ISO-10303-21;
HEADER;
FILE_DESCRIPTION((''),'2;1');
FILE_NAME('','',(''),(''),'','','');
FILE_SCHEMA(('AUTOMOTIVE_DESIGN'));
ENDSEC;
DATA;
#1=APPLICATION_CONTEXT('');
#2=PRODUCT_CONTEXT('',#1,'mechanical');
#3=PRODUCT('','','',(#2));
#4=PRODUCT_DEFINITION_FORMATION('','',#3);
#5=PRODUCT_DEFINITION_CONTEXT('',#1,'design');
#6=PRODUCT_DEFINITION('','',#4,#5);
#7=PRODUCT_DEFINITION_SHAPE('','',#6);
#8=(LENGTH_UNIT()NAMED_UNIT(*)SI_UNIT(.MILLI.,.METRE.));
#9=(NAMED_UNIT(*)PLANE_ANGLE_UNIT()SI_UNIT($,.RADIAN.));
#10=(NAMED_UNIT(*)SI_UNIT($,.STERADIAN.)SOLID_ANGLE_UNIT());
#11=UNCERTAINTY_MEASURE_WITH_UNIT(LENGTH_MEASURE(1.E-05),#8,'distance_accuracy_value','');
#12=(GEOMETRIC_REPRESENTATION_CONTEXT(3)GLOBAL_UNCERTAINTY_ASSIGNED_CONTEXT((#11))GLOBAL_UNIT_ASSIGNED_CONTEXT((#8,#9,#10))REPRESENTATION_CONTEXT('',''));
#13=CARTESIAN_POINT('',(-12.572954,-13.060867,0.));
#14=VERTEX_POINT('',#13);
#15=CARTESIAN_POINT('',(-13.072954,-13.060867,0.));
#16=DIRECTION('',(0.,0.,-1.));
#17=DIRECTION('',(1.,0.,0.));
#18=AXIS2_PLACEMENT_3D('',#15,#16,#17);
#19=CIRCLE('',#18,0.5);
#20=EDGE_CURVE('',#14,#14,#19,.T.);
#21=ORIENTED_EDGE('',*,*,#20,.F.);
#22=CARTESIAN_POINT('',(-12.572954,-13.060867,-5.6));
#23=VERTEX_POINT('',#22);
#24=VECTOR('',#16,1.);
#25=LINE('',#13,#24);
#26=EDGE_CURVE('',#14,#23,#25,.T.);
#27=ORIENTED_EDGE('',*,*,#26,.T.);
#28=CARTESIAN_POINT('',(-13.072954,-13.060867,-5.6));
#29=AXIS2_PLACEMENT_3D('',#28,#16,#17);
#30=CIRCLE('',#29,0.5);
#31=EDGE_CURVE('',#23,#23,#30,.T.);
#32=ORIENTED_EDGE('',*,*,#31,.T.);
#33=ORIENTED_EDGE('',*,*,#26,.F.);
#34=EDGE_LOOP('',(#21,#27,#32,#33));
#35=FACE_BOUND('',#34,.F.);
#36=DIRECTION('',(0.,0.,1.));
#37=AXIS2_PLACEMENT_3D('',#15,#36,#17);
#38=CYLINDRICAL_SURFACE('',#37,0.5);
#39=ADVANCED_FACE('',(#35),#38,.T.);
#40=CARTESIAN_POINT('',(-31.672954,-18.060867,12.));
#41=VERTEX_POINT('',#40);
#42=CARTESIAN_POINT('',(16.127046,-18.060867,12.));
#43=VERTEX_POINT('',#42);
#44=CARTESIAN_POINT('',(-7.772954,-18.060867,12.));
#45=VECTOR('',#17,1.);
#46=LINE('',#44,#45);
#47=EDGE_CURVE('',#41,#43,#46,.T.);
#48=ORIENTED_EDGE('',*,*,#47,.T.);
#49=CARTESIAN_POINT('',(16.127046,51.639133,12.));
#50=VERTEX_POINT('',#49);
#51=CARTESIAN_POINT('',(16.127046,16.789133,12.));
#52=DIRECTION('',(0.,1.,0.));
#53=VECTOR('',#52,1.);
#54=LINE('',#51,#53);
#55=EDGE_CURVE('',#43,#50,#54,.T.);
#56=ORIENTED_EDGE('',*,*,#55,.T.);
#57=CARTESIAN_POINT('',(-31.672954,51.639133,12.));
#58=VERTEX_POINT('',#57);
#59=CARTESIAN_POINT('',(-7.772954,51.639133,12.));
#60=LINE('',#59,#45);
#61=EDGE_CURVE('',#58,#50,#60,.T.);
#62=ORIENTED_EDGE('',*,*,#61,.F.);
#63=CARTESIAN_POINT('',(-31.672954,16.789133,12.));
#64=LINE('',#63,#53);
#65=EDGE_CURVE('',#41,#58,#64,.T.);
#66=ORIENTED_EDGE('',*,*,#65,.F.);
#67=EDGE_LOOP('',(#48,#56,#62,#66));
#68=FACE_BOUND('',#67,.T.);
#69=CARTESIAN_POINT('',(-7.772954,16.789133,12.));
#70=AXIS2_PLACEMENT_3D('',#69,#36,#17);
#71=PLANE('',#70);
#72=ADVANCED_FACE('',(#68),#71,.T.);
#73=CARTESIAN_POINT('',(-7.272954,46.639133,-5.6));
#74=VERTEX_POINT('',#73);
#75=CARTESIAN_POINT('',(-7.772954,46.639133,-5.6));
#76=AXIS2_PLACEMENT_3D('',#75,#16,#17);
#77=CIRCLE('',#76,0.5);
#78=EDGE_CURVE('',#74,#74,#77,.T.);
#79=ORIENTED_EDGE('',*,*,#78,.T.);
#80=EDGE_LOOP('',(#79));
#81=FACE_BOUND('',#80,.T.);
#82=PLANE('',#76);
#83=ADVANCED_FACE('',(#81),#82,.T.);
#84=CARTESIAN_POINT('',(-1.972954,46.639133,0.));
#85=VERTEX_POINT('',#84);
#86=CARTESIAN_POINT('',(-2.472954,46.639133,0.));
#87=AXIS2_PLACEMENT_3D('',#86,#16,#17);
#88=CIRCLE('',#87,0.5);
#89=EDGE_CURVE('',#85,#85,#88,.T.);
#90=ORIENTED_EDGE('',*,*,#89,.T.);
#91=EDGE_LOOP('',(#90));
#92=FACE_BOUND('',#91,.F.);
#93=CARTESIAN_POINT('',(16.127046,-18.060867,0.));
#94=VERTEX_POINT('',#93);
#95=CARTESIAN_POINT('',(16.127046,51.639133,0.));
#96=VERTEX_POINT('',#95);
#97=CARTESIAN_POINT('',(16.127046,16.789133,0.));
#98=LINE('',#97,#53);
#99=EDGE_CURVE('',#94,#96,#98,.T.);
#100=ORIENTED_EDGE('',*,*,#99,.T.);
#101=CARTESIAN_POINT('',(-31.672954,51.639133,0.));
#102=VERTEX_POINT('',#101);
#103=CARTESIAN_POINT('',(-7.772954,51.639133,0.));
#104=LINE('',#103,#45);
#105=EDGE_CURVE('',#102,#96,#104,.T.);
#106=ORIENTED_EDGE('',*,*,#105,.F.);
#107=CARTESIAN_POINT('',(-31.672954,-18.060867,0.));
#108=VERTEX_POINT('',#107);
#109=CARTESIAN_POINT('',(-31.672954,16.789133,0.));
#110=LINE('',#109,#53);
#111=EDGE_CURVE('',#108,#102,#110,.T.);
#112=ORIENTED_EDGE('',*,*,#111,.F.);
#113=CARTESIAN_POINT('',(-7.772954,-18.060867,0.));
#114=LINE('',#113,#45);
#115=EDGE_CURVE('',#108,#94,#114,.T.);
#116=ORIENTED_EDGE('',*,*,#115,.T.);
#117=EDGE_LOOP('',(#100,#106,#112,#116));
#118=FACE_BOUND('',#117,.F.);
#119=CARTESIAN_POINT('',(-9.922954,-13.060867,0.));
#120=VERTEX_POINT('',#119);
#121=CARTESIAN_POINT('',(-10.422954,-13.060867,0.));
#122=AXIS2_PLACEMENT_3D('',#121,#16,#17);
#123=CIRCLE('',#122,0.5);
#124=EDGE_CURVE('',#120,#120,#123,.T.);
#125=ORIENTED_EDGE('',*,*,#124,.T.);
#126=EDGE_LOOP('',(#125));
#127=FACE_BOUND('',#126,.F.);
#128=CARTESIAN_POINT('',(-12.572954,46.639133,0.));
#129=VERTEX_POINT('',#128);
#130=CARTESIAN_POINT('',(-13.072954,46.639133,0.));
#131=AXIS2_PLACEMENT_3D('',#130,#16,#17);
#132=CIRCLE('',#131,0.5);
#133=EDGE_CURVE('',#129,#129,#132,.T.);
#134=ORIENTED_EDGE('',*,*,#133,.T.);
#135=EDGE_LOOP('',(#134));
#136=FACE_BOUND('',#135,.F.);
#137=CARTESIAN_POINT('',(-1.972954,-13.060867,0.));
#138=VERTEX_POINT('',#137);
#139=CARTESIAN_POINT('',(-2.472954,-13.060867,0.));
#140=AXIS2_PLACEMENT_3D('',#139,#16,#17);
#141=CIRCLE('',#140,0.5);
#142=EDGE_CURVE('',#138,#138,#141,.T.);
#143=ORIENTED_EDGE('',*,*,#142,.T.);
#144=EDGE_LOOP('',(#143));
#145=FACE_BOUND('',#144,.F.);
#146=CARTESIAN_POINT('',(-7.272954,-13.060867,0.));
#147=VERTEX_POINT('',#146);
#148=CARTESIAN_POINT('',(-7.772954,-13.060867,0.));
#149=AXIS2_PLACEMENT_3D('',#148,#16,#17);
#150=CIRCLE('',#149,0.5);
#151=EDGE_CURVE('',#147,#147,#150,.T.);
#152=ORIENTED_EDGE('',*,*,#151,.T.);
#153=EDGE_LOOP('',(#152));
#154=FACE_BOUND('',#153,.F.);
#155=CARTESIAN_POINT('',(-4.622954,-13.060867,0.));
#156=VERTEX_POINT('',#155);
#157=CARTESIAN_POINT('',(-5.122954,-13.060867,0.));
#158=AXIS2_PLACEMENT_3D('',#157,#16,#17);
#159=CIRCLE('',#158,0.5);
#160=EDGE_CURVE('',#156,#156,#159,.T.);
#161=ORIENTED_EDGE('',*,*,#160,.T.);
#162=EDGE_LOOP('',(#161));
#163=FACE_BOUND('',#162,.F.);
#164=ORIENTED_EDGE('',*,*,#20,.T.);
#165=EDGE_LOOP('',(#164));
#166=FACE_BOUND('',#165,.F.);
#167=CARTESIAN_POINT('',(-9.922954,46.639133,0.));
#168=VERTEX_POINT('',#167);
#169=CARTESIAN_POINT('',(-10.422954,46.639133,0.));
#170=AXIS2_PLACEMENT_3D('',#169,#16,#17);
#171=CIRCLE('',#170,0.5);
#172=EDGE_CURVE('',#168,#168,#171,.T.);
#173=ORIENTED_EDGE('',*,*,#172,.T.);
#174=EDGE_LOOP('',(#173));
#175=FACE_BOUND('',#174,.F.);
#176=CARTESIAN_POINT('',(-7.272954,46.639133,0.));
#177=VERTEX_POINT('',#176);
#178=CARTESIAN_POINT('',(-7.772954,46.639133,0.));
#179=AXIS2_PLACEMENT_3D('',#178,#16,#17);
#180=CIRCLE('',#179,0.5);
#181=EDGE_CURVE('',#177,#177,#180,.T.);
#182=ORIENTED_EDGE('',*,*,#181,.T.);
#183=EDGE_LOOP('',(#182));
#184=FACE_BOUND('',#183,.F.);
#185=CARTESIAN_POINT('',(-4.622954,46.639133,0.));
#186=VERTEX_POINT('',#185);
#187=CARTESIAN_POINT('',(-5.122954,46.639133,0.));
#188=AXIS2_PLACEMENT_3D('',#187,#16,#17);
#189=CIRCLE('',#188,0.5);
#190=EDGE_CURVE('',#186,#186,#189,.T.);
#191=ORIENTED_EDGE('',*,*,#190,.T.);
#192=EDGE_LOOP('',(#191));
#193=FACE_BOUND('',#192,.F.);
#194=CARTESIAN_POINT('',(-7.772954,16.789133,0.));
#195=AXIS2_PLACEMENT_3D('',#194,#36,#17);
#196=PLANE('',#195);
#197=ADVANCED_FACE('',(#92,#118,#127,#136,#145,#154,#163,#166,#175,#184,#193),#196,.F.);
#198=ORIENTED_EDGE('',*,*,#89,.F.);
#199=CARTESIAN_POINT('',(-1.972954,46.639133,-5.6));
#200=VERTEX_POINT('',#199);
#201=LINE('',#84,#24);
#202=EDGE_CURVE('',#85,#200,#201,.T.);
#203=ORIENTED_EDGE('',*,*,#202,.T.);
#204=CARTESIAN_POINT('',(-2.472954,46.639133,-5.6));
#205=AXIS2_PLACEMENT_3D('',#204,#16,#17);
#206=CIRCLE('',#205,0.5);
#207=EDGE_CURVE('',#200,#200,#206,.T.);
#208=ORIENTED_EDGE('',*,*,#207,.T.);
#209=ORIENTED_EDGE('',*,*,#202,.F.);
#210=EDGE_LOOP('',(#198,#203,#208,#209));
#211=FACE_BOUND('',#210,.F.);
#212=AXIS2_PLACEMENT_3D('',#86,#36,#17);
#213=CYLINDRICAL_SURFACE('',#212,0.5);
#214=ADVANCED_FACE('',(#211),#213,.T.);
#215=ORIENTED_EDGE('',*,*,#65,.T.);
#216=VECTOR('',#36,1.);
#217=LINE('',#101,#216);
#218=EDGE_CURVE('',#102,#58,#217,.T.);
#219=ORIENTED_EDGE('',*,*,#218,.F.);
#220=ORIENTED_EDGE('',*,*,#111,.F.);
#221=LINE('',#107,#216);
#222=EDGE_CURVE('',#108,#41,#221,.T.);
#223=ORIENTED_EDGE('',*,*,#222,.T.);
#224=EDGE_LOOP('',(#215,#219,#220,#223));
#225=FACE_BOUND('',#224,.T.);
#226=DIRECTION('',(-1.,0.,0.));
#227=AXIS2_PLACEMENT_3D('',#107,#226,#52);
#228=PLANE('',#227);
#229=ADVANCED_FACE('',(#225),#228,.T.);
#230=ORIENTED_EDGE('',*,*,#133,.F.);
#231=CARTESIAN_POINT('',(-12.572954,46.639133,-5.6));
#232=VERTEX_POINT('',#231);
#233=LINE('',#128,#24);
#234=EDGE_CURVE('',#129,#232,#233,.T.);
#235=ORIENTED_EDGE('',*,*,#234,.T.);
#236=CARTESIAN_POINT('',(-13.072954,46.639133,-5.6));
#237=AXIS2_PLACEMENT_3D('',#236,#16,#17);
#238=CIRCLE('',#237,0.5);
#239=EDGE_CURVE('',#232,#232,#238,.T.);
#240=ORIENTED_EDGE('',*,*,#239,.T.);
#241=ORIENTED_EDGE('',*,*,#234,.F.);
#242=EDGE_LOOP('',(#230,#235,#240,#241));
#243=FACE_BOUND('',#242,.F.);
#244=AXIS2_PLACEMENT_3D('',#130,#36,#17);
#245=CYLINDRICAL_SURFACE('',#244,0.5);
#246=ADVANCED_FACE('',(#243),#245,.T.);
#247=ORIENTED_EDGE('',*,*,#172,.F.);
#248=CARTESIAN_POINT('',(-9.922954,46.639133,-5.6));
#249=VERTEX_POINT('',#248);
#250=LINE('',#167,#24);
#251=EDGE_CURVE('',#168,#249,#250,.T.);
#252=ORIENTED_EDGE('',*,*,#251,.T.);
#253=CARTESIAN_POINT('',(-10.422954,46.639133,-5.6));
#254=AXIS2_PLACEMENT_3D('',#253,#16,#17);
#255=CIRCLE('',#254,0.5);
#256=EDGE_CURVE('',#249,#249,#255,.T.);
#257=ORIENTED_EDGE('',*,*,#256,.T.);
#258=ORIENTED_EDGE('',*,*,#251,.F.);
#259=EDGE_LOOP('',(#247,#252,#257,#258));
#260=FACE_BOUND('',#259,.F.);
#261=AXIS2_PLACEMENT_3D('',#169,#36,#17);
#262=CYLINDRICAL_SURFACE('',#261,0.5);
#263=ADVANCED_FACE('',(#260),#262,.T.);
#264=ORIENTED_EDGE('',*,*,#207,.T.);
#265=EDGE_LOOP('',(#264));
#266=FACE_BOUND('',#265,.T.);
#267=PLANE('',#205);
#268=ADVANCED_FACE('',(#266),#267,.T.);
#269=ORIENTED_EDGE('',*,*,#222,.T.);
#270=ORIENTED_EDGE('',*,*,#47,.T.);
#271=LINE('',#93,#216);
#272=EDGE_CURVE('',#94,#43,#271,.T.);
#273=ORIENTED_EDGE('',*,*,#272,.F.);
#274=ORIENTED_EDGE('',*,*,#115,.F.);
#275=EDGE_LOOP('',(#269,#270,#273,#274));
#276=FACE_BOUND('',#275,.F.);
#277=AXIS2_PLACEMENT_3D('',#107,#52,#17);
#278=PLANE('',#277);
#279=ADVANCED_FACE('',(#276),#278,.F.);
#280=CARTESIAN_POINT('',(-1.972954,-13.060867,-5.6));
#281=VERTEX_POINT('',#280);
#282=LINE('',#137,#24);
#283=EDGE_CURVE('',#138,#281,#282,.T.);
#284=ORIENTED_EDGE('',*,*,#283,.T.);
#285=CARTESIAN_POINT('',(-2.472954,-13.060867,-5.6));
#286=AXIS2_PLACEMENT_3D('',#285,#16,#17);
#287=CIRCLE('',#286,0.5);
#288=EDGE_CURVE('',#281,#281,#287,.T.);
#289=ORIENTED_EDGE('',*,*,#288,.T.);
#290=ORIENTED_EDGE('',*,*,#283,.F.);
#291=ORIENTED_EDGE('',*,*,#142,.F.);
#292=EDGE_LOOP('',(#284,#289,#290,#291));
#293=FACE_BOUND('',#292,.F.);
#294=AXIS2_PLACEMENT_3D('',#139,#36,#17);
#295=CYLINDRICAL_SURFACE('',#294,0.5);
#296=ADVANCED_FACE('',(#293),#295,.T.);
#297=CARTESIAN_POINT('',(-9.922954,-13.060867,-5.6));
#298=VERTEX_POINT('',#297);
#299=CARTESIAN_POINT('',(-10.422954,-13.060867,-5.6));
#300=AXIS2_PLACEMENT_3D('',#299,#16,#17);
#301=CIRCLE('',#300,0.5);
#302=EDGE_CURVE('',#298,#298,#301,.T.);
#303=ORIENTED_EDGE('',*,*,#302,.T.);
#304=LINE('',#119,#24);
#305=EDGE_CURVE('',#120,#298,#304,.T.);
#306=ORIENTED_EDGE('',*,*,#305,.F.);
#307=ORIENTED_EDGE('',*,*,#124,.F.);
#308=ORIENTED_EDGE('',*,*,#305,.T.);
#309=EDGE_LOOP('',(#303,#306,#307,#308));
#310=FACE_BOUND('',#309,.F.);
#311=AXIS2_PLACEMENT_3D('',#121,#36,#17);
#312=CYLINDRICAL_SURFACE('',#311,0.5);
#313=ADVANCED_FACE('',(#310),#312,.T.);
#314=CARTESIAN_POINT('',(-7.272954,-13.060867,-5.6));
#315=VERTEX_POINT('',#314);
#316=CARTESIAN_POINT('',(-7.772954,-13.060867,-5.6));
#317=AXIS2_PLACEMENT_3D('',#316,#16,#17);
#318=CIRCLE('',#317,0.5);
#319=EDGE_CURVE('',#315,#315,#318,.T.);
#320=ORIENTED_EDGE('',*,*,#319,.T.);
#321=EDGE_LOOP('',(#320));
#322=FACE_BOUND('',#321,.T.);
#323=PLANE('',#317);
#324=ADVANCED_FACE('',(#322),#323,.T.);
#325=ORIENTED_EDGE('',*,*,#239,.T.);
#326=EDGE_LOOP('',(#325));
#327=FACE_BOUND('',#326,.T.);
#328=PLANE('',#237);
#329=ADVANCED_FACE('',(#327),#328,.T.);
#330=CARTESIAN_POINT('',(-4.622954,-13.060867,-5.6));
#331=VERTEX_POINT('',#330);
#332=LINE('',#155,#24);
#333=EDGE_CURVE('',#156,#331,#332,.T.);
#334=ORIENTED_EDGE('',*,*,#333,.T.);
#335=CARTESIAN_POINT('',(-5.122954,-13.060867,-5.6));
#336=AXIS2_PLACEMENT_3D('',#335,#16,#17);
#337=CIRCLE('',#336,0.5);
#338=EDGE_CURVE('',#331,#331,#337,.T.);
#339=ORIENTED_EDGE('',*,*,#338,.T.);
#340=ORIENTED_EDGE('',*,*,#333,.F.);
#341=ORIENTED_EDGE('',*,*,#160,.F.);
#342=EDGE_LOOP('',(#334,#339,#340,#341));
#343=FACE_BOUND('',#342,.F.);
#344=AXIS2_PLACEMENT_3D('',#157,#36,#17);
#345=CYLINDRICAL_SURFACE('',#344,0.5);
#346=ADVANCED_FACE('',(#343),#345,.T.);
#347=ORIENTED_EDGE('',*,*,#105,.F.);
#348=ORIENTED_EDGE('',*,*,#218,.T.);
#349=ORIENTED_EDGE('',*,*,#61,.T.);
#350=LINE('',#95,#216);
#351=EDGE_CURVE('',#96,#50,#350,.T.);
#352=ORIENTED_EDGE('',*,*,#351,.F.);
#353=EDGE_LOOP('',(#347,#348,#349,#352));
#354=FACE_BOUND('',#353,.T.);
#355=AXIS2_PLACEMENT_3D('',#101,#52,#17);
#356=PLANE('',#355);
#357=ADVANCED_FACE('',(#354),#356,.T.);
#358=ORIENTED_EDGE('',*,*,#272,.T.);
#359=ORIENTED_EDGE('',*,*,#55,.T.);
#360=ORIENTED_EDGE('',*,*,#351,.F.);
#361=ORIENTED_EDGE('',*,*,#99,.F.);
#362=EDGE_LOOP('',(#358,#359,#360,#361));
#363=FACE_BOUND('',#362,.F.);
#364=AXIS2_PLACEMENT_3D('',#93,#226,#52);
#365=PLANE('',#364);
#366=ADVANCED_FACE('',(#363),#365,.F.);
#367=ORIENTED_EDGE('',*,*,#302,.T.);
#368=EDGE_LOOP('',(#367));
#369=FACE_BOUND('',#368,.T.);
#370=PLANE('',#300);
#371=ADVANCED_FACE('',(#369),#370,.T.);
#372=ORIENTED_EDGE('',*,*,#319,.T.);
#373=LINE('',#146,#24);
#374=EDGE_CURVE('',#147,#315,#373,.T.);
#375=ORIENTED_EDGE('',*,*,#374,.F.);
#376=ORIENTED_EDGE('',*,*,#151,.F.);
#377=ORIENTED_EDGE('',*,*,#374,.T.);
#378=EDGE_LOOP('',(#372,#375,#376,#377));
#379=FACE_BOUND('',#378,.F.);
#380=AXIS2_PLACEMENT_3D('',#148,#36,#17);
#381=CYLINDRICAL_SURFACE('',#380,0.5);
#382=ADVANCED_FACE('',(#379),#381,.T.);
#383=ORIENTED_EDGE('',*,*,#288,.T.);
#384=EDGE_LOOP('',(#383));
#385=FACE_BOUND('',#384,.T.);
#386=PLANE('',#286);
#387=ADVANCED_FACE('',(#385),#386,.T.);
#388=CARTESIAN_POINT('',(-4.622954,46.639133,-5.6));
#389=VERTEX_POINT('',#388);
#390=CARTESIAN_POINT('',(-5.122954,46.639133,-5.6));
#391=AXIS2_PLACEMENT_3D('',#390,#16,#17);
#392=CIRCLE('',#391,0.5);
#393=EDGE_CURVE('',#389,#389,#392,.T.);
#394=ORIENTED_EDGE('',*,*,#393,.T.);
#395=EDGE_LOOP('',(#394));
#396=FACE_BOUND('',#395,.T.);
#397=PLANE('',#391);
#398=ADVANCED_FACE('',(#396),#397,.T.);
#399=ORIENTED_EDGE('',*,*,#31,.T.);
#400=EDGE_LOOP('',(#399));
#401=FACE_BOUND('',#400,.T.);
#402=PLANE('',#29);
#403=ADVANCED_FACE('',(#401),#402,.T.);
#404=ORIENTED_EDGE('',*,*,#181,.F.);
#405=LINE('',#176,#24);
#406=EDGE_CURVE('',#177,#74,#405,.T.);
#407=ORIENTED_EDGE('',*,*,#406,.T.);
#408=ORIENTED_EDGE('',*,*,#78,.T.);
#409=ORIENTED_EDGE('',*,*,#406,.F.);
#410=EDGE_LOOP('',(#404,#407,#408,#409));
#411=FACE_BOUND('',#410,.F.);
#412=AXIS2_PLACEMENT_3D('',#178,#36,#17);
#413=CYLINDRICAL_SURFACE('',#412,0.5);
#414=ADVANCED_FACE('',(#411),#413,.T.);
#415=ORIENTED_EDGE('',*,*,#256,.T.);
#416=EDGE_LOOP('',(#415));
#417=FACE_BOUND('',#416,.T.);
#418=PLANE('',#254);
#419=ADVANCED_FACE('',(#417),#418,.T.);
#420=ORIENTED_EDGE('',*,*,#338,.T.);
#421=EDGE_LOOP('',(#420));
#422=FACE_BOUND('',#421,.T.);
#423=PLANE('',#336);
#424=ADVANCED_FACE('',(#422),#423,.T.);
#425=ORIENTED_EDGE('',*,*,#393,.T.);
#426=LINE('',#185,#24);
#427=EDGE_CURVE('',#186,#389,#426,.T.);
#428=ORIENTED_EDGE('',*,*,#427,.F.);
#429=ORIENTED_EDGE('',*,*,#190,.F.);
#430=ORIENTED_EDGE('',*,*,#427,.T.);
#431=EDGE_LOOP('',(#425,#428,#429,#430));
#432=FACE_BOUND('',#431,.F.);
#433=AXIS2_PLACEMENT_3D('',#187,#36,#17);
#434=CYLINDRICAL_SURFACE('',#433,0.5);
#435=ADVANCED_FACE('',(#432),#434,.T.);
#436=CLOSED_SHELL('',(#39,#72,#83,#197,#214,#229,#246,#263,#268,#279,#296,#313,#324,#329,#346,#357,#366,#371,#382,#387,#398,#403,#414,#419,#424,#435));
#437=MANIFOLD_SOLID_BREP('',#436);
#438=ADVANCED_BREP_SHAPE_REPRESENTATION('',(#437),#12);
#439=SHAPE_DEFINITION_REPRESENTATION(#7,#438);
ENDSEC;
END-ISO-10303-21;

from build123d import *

# Parameters (mm, degrees)
SKETCH_W            = 47.8
SKETCH_H            = 69.7
PAD_DEPTH           = 12
SKETCH001_R         = 0.5
PAD001_DEPTH        = 5.6
LINEARPATTERN_COUNT = 5
LINEARPATTERN_PITCH = 2.65


with BuildPart() as part:
    # Sketch → Pad (new body)
    with BuildSketch(Plane.XY):
        with Locations((-7.772954, 16.789133)):
            Rectangle(SKETCH_W, SKETCH_H)
    extrude(amount=PAD_DEPTH)

    # Sketch001 → Pad001 (new body)
    with BuildSketch(Plane(origin=(0, 0, 0), x_dir=(1, 0, 0), z_dir=(0, 0, -1))):
        with Locations((-13.072954, 13.060867)):
            Circle(SKETCH001_R)
        with Locations((-13.072954, -46.639133)):
            Circle(SKETCH001_R)
    pad001 = extrude(amount=PAD001_DEPTH)

    # LinearPattern: Pad001 ×5
    with Locations(*[(i * LINEARPATTERN_PITCH, 0, 0) for i in range(1, LINEARPATTERN_COUNT)]):
        add(pad001)


solid = part.part
